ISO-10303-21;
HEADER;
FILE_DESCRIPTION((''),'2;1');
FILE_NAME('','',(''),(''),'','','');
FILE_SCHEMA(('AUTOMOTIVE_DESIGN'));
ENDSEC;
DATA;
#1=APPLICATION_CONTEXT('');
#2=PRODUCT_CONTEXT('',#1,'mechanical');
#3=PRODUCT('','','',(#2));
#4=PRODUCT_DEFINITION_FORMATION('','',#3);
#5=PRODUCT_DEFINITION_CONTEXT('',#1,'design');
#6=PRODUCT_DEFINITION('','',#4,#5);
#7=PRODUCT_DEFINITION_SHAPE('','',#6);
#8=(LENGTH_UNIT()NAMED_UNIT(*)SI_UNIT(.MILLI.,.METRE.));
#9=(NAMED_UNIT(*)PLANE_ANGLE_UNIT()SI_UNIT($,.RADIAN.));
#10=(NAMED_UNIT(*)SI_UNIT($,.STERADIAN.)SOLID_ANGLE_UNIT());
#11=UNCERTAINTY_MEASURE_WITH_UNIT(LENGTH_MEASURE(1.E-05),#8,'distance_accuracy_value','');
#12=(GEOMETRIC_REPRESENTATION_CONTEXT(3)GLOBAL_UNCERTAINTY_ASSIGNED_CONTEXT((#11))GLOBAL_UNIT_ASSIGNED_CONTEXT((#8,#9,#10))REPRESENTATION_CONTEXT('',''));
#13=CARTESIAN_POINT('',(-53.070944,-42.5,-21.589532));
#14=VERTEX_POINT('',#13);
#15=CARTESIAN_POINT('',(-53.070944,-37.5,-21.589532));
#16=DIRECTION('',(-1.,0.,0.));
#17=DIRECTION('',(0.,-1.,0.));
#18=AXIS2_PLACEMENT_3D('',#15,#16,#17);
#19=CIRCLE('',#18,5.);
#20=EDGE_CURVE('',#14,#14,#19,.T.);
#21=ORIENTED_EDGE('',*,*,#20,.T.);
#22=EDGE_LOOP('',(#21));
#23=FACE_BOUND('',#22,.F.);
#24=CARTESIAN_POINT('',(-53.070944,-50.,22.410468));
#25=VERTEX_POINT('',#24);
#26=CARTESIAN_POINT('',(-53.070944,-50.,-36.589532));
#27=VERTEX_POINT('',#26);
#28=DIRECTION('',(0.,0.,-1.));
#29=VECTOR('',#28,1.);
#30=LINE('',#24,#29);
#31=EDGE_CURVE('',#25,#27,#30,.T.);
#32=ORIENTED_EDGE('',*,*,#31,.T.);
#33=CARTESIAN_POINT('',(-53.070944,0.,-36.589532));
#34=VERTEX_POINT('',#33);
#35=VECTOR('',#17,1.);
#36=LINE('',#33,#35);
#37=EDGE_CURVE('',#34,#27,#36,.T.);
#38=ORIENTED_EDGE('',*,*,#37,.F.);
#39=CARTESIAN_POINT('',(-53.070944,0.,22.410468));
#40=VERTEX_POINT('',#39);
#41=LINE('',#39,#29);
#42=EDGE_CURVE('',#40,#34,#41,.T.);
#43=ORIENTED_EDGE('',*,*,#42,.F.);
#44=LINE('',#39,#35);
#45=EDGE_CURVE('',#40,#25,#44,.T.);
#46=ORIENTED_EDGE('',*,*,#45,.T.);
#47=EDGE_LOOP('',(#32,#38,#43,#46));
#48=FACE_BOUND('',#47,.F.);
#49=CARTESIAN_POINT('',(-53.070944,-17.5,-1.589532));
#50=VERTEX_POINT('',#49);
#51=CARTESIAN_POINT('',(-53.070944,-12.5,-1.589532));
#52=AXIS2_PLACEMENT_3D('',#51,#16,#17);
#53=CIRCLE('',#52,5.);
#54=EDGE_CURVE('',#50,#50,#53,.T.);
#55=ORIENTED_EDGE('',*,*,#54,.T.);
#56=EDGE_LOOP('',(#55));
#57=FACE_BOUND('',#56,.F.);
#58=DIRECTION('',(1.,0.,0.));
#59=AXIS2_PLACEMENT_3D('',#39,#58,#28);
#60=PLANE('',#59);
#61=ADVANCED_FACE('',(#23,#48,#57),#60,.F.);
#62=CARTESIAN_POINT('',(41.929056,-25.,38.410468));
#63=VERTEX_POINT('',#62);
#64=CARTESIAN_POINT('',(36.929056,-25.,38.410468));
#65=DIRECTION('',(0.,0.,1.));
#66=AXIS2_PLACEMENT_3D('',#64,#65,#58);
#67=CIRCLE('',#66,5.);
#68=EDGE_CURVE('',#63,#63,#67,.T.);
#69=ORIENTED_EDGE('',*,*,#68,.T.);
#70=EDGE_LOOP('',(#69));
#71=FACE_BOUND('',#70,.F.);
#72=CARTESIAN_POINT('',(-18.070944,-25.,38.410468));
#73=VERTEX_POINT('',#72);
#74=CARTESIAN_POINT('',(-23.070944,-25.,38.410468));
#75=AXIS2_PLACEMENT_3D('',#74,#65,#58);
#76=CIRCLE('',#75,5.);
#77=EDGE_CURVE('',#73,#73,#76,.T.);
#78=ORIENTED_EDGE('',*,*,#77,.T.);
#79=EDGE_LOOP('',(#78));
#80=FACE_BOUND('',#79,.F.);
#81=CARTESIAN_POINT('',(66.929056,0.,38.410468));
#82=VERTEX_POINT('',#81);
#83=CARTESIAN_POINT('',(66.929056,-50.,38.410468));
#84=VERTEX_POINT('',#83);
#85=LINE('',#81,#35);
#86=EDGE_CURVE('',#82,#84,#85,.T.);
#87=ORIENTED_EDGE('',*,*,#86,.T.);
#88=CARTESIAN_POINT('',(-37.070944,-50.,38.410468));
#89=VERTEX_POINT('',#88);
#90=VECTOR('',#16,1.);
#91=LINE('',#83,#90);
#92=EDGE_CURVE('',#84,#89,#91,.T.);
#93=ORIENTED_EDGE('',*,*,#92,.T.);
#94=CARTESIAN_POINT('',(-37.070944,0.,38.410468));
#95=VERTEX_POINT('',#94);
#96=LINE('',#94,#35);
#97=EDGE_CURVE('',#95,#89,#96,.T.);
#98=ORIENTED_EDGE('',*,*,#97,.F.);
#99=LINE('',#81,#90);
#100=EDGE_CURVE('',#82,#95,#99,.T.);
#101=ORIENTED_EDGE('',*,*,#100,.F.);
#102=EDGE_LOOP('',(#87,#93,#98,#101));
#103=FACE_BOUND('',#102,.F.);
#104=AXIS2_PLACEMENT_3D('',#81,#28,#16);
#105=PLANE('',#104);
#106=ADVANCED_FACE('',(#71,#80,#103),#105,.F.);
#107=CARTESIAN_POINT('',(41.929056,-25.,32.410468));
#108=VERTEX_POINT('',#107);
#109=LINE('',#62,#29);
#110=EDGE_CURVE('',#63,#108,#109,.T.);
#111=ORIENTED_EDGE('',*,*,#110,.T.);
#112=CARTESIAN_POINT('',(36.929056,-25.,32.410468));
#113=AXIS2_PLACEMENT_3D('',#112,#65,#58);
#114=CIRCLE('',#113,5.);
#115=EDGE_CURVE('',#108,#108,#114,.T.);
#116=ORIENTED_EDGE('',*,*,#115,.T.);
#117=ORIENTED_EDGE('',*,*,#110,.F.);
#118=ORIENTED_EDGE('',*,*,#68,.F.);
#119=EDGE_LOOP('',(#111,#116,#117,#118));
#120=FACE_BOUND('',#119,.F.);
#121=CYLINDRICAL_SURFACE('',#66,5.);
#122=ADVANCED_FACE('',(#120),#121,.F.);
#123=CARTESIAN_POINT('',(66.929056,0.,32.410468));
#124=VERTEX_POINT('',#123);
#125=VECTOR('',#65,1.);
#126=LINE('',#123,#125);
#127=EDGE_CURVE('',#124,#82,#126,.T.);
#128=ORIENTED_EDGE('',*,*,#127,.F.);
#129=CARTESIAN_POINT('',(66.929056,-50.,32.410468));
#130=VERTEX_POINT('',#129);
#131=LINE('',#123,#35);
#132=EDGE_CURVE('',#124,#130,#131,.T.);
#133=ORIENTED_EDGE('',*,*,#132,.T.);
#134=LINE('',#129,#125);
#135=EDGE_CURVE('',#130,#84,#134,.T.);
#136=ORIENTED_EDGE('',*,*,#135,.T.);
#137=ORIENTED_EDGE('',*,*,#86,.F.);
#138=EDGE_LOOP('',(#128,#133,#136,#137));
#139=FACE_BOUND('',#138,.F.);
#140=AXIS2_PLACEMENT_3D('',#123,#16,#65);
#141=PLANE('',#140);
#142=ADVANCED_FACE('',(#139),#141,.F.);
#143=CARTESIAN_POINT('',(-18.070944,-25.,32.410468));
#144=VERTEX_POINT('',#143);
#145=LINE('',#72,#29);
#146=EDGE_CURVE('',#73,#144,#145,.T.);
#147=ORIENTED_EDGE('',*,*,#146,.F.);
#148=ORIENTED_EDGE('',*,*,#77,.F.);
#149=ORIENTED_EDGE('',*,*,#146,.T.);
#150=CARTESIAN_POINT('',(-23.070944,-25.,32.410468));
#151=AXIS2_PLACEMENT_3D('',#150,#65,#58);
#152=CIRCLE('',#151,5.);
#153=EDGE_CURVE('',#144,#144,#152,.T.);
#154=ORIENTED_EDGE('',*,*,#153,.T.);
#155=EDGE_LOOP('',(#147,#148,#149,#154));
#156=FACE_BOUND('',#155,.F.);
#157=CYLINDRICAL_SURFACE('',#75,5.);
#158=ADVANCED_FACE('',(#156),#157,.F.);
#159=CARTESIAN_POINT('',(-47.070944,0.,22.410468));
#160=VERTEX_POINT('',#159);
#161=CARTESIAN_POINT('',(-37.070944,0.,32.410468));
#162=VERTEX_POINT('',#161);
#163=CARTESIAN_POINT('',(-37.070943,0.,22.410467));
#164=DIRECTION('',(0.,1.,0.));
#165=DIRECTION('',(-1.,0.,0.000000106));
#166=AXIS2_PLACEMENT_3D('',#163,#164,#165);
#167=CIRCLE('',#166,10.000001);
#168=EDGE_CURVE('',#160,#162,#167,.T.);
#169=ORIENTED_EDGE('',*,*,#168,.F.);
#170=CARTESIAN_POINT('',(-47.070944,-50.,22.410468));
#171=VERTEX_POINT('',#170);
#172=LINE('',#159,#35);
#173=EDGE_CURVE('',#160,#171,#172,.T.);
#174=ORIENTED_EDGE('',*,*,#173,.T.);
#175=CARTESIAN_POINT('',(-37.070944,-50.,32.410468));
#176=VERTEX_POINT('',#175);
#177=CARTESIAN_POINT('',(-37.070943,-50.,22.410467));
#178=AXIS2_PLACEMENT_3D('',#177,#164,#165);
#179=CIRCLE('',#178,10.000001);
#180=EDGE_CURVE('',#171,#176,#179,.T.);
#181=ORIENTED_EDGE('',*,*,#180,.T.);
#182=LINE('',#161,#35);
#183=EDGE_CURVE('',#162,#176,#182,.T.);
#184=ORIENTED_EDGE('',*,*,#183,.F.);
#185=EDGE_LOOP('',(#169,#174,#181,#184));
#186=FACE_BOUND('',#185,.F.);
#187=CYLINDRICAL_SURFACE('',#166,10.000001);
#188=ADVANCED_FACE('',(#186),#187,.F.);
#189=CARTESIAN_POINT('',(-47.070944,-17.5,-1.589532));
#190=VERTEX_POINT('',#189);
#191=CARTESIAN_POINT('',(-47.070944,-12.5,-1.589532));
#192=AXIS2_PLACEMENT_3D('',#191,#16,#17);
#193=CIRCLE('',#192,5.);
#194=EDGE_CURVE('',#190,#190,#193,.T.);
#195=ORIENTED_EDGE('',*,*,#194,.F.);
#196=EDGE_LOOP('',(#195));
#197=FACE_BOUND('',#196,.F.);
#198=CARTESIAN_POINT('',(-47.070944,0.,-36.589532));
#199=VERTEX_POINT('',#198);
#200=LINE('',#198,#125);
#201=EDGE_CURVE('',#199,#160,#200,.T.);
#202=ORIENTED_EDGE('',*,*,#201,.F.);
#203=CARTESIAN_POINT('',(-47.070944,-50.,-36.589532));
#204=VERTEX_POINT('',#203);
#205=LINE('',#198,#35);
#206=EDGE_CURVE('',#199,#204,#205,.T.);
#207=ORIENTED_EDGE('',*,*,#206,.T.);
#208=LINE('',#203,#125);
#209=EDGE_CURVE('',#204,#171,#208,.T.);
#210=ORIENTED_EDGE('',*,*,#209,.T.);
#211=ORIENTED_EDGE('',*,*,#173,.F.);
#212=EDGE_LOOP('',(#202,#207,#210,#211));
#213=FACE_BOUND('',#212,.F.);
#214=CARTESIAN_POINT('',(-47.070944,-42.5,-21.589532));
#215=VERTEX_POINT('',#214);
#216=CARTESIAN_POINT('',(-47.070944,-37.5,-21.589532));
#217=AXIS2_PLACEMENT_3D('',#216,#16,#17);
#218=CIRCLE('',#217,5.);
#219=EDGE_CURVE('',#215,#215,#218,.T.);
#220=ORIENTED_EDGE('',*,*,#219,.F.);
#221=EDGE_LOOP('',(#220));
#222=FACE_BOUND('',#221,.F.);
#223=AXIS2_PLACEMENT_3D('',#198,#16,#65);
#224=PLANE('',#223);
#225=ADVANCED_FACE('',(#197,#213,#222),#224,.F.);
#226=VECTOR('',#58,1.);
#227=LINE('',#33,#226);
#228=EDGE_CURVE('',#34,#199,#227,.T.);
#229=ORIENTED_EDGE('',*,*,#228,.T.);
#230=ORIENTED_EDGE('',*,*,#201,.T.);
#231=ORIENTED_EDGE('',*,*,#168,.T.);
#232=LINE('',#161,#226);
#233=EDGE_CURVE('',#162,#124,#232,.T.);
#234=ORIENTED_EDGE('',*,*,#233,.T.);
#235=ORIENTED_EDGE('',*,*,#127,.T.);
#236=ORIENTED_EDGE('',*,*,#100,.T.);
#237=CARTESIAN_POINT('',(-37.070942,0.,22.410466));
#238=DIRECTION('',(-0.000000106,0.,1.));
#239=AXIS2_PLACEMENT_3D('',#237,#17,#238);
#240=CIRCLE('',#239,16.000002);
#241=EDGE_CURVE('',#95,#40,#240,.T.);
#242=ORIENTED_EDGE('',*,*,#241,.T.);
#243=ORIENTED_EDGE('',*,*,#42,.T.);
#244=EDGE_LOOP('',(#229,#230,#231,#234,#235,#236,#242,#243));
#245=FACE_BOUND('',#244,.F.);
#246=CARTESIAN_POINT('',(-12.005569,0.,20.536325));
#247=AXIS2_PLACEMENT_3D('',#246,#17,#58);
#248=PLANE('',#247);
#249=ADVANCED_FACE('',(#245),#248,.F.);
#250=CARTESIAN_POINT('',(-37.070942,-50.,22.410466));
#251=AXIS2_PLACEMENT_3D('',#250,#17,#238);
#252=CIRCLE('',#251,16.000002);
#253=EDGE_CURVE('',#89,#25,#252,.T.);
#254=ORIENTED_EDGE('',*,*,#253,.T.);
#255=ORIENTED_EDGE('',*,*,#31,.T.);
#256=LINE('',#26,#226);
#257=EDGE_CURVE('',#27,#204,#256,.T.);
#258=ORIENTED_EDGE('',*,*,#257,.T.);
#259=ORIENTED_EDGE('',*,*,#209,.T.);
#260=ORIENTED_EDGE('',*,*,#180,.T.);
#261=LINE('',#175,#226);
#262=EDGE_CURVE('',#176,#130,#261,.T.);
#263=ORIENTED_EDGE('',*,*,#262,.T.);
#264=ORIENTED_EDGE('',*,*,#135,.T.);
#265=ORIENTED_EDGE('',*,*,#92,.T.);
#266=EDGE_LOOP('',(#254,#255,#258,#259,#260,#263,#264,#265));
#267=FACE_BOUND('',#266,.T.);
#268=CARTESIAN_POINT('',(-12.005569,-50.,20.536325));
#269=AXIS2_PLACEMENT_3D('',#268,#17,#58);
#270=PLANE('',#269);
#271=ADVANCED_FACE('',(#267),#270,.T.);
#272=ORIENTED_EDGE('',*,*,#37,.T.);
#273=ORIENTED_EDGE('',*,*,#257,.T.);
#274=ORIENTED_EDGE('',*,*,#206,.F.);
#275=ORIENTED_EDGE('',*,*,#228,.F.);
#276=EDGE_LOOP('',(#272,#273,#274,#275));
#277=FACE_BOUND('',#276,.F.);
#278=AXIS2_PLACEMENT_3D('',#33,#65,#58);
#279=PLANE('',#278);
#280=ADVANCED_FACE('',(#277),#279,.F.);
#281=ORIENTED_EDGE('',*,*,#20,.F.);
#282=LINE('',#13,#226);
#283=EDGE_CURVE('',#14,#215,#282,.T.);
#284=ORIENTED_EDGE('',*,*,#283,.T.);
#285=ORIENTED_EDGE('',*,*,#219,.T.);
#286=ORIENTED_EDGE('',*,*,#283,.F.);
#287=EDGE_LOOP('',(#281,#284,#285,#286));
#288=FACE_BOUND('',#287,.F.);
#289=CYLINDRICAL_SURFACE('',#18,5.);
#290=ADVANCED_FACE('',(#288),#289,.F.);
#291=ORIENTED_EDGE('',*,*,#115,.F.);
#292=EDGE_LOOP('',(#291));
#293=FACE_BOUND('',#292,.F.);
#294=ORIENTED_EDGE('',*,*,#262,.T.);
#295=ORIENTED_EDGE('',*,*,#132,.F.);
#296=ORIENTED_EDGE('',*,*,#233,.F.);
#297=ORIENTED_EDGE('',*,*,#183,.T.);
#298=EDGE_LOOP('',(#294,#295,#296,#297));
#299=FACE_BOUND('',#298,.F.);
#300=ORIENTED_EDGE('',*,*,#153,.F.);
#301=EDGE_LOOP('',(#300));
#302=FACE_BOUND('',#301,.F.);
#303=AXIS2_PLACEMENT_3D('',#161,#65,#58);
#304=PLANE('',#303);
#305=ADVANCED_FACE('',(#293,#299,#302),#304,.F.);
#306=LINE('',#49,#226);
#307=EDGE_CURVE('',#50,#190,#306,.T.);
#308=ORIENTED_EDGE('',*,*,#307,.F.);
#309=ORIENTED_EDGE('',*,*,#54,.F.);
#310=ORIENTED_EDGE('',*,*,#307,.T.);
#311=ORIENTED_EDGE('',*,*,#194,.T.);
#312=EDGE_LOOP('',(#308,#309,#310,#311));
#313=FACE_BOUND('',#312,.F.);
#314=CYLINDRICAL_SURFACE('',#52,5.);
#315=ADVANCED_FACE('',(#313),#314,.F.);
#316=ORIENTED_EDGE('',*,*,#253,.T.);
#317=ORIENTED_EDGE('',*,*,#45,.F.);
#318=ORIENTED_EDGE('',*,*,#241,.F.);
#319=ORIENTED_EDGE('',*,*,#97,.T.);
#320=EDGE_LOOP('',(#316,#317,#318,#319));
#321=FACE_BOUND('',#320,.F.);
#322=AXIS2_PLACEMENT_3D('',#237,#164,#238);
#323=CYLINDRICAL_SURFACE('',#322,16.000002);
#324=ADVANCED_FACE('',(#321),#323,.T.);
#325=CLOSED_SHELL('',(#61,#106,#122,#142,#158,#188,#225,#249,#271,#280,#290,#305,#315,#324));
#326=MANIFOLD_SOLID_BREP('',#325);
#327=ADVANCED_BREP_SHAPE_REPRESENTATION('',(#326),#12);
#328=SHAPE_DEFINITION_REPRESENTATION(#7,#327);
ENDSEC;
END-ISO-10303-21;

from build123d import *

# Parameters (mm, degrees)
F1_DEPTH = 50
F2_R     = 5
F3_DEPTH = 25
F4_R     = 5
F5_DEPTH = 25


with BuildPart() as f1:
    # F0 (on Front) → F1 (new body)
    with BuildSketch(Plane.XZ):
        with BuildLine():
            Line((-53.070944, 22.410468), (-53.070944, -36.589532))
            Line((-53.070944, -36.589532), (-47.070944, -36.589532))
            Line((-47.070944, -36.589532), (-47.070944, 22.410468))
            ThreePointArc((-47.070944, 22.410468), (-44.142012, 29.481535), (-37.070944, 32.410468))
            Line((-37.070944, 32.410468), (66.929056, 32.410468))
            Line((66.929056, 32.410468), (66.929056, 38.410468))
            Line((66.929056, 38.410468), (-37.070944, 38.410468))
            ThreePointArc((-37.070944, 38.410468), (-48.384652, 33.724176), (-53.070944, 22.410468))
        make_face()
    extrude(amount=F1_DEPTH)

    # F2 (on face) → F3 (cut)
    with BuildSketch(Plane.XY.offset(38.410468)):
        with Locations((-23.070944, -25)):
            Circle(F2_R)
        with Locations((36.929056, -25)):
            Circle(F2_R)
    extrude(amount=-F3_DEPTH, mode=Mode.SUBTRACT)

    # F4 (on face) → F5 (cut)
    with BuildSketch(Plane(origin=(-53.070944, 0, 0), x_dir=(0, -1, 0), z_dir=(-1, 0, 0))):
        with Locations((12.5, -1.589532)):
            Circle(F4_R)
        with Locations((37.5, -21.589532)):
            Circle(F4_R)
    extrude(amount=-F5_DEPTH, mode=Mode.SUBTRACT)


solid = f1.part
